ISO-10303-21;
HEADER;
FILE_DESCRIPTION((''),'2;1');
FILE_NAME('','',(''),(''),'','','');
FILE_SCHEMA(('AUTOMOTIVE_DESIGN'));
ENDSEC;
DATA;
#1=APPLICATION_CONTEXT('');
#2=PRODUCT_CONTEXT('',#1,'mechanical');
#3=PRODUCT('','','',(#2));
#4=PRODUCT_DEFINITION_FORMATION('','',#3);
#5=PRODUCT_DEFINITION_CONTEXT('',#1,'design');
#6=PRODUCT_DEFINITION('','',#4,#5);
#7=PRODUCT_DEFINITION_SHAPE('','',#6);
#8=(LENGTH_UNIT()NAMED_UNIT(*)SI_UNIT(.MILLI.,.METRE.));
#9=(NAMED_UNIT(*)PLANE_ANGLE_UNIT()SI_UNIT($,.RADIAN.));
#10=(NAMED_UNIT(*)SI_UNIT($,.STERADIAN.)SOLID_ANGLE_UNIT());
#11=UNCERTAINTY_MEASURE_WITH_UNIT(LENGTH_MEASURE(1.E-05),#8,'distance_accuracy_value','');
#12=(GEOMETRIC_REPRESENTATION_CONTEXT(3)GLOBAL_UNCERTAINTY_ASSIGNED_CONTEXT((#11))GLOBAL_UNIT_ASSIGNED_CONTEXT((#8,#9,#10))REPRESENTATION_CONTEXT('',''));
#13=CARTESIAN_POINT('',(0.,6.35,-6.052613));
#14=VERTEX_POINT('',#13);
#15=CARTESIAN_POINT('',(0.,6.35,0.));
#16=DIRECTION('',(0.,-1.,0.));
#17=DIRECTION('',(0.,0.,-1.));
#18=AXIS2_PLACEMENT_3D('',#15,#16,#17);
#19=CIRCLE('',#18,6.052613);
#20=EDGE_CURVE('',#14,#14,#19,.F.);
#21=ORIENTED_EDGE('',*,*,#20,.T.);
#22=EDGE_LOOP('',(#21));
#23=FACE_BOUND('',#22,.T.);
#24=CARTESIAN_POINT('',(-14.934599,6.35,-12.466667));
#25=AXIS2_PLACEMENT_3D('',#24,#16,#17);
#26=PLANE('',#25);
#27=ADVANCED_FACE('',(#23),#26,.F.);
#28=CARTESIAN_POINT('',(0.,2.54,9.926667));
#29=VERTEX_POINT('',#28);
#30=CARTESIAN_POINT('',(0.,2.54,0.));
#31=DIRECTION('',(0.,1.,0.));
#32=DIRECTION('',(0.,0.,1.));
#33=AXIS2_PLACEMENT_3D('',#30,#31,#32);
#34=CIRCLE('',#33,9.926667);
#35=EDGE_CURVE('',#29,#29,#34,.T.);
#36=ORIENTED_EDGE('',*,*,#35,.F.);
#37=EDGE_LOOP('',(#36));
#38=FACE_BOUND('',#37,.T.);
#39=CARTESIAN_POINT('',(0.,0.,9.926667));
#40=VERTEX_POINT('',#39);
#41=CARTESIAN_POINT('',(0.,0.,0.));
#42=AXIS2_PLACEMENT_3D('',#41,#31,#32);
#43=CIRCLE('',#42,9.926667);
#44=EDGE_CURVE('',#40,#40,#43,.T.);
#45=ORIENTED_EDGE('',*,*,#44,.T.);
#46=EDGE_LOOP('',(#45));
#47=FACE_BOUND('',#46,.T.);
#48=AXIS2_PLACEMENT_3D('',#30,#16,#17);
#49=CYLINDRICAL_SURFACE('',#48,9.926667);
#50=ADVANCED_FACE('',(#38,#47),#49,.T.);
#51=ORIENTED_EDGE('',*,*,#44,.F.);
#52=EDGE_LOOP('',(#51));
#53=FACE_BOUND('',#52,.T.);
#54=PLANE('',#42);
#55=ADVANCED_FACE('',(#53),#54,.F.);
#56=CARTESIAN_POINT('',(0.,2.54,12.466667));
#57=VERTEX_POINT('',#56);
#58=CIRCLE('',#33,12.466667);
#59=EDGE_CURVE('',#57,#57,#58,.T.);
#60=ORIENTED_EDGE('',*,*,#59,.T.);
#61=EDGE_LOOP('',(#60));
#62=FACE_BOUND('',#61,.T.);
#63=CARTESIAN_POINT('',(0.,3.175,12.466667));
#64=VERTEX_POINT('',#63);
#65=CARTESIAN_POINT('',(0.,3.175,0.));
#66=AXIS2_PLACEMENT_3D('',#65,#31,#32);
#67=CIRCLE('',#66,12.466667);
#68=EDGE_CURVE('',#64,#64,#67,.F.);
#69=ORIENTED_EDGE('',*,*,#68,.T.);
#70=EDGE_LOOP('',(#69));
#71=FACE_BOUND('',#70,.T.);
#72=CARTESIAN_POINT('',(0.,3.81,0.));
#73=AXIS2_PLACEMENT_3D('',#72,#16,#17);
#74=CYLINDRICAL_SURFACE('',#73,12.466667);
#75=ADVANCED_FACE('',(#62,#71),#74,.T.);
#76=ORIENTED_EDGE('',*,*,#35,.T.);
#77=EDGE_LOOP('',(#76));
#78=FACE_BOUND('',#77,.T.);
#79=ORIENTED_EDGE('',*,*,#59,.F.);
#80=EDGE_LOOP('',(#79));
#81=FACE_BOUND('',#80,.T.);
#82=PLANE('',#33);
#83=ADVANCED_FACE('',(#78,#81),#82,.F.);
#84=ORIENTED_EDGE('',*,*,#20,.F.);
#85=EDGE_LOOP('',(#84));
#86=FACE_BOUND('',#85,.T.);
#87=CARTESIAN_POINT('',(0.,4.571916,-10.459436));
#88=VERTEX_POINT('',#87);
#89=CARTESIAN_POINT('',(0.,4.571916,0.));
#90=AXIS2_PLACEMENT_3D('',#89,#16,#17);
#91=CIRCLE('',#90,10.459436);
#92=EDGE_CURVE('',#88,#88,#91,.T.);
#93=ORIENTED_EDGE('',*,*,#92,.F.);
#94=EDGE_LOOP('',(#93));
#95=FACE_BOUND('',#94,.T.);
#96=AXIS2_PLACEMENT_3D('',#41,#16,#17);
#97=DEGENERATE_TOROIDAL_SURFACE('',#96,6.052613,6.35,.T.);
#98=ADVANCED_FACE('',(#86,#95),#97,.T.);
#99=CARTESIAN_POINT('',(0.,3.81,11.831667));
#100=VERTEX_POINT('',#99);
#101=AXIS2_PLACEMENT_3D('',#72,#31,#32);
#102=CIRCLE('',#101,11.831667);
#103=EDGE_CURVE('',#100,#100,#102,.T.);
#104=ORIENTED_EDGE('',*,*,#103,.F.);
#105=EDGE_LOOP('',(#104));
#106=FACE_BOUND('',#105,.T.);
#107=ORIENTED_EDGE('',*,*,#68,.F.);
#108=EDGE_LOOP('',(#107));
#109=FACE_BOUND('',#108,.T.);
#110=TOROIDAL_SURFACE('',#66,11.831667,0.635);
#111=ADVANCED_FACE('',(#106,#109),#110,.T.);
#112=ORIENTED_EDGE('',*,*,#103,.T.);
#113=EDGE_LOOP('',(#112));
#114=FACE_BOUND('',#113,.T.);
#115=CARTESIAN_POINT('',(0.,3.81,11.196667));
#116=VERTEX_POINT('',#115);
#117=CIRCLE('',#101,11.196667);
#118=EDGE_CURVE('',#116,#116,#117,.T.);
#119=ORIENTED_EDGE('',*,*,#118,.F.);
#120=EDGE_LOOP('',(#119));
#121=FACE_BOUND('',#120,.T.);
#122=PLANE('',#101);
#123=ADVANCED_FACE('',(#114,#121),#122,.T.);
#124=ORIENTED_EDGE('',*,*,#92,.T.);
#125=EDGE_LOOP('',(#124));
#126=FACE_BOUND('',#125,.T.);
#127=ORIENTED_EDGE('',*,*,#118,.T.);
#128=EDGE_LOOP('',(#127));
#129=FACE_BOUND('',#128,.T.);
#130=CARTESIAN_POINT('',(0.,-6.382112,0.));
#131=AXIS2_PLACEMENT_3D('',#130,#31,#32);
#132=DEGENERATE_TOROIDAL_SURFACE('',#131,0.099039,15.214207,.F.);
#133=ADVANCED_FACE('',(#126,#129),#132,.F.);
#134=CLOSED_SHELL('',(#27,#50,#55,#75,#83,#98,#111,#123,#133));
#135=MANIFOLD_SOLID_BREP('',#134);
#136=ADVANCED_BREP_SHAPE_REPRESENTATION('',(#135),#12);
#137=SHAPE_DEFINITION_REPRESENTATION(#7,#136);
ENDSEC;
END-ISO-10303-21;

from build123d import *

# Parameters (mm, degrees)
SKETCH1_R               = 9.926666649
BOSS_EXTRUDE1_DEPTH     = 2.54
SKETCH2_R               = 12.466666649
BOSS_EXTRUDE2_DEPTH     = 1.27
FILLET1_R               = 0.635
CUT_EXTRUDE1_DEPTH      = 20.718919442
CUT_EXTRUDE1_DEPTH_BACK = 20.718919442
SKETCH4_W               = 27.24769987
SKETCH4_H               = 6.35
FILLET2_R               = 6.35


with BuildPart() as part:
    # Sketch1 → Boss-Extrude1 (new body)
    with BuildSketch(Plane(origin=(0, 0, 0), x_dir=(1, 0, 0), z_dir=(0, 1, 0))):
        with Locations(Location((0, 0, 0), (0, 0, 270))):
            Circle(SKETCH1_R)
    extrude(amount=BOSS_EXTRUDE1_DEPTH)

    # Sketch2 → Boss-Extrude2 (add)
    with BuildSketch(Plane(origin=(0, 2.54, 0), x_dir=(1, 0, 0), z_dir=(0, 1, 0))):
        with Locations(Location((0, 0, 0), (0, 0, 270))):
            Circle(SKETCH2_R)
    extrude(amount=BOSS_EXTRUDE2_DEPTH)

    # Sketch3 → Revolve1 (revolve)
    with BuildSketch(Plane.XY):
        with BuildLine():
            Line((0, 8.831773608), (0, 3.81))
            Line((0, 3.81), (-11.196666649, 3.81))
            ThreePointArc((-11.196666649, 3.81), (-6.127083682, 7.49980126), (0, 8.831773608))
        make_face()
    revolve(axis=Axis((0, 8.831773608, 0), (0, -1, 0)))

    # Fillet1
    fillet1_edges = [part.edges().sort_by_distance(p)[0] for p in [
        (0, 3.81, -12.466666649),
    ]]
    fillet(fillet1_edges, radius=FILLET1_R)

    # Sketch4 → Cut-Extrude1 (cut, two sides: drawn at the far end of the back side and taken through both)
    with BuildSketch(Plane.XY.offset(-CUT_EXTRUDE1_DEPTH_BACK)):
        with Locations((-1.310749411, 9.525)):
            Rectangle(SKETCH4_W, SKETCH4_H)
    extrude(amount=CUT_EXTRUDE1_DEPTH + CUT_EXTRUDE1_DEPTH_BACK, mode=Mode.SUBTRACT)

    # Fillet2
    fillet2_edges = [part.edges().sort_by_distance(p)[0] for p in [
        (8.22955279, 6.35, -5e-09),
    ]]
    fillet(fillet2_edges, radius=FILLET2_R)


solid = part.part
